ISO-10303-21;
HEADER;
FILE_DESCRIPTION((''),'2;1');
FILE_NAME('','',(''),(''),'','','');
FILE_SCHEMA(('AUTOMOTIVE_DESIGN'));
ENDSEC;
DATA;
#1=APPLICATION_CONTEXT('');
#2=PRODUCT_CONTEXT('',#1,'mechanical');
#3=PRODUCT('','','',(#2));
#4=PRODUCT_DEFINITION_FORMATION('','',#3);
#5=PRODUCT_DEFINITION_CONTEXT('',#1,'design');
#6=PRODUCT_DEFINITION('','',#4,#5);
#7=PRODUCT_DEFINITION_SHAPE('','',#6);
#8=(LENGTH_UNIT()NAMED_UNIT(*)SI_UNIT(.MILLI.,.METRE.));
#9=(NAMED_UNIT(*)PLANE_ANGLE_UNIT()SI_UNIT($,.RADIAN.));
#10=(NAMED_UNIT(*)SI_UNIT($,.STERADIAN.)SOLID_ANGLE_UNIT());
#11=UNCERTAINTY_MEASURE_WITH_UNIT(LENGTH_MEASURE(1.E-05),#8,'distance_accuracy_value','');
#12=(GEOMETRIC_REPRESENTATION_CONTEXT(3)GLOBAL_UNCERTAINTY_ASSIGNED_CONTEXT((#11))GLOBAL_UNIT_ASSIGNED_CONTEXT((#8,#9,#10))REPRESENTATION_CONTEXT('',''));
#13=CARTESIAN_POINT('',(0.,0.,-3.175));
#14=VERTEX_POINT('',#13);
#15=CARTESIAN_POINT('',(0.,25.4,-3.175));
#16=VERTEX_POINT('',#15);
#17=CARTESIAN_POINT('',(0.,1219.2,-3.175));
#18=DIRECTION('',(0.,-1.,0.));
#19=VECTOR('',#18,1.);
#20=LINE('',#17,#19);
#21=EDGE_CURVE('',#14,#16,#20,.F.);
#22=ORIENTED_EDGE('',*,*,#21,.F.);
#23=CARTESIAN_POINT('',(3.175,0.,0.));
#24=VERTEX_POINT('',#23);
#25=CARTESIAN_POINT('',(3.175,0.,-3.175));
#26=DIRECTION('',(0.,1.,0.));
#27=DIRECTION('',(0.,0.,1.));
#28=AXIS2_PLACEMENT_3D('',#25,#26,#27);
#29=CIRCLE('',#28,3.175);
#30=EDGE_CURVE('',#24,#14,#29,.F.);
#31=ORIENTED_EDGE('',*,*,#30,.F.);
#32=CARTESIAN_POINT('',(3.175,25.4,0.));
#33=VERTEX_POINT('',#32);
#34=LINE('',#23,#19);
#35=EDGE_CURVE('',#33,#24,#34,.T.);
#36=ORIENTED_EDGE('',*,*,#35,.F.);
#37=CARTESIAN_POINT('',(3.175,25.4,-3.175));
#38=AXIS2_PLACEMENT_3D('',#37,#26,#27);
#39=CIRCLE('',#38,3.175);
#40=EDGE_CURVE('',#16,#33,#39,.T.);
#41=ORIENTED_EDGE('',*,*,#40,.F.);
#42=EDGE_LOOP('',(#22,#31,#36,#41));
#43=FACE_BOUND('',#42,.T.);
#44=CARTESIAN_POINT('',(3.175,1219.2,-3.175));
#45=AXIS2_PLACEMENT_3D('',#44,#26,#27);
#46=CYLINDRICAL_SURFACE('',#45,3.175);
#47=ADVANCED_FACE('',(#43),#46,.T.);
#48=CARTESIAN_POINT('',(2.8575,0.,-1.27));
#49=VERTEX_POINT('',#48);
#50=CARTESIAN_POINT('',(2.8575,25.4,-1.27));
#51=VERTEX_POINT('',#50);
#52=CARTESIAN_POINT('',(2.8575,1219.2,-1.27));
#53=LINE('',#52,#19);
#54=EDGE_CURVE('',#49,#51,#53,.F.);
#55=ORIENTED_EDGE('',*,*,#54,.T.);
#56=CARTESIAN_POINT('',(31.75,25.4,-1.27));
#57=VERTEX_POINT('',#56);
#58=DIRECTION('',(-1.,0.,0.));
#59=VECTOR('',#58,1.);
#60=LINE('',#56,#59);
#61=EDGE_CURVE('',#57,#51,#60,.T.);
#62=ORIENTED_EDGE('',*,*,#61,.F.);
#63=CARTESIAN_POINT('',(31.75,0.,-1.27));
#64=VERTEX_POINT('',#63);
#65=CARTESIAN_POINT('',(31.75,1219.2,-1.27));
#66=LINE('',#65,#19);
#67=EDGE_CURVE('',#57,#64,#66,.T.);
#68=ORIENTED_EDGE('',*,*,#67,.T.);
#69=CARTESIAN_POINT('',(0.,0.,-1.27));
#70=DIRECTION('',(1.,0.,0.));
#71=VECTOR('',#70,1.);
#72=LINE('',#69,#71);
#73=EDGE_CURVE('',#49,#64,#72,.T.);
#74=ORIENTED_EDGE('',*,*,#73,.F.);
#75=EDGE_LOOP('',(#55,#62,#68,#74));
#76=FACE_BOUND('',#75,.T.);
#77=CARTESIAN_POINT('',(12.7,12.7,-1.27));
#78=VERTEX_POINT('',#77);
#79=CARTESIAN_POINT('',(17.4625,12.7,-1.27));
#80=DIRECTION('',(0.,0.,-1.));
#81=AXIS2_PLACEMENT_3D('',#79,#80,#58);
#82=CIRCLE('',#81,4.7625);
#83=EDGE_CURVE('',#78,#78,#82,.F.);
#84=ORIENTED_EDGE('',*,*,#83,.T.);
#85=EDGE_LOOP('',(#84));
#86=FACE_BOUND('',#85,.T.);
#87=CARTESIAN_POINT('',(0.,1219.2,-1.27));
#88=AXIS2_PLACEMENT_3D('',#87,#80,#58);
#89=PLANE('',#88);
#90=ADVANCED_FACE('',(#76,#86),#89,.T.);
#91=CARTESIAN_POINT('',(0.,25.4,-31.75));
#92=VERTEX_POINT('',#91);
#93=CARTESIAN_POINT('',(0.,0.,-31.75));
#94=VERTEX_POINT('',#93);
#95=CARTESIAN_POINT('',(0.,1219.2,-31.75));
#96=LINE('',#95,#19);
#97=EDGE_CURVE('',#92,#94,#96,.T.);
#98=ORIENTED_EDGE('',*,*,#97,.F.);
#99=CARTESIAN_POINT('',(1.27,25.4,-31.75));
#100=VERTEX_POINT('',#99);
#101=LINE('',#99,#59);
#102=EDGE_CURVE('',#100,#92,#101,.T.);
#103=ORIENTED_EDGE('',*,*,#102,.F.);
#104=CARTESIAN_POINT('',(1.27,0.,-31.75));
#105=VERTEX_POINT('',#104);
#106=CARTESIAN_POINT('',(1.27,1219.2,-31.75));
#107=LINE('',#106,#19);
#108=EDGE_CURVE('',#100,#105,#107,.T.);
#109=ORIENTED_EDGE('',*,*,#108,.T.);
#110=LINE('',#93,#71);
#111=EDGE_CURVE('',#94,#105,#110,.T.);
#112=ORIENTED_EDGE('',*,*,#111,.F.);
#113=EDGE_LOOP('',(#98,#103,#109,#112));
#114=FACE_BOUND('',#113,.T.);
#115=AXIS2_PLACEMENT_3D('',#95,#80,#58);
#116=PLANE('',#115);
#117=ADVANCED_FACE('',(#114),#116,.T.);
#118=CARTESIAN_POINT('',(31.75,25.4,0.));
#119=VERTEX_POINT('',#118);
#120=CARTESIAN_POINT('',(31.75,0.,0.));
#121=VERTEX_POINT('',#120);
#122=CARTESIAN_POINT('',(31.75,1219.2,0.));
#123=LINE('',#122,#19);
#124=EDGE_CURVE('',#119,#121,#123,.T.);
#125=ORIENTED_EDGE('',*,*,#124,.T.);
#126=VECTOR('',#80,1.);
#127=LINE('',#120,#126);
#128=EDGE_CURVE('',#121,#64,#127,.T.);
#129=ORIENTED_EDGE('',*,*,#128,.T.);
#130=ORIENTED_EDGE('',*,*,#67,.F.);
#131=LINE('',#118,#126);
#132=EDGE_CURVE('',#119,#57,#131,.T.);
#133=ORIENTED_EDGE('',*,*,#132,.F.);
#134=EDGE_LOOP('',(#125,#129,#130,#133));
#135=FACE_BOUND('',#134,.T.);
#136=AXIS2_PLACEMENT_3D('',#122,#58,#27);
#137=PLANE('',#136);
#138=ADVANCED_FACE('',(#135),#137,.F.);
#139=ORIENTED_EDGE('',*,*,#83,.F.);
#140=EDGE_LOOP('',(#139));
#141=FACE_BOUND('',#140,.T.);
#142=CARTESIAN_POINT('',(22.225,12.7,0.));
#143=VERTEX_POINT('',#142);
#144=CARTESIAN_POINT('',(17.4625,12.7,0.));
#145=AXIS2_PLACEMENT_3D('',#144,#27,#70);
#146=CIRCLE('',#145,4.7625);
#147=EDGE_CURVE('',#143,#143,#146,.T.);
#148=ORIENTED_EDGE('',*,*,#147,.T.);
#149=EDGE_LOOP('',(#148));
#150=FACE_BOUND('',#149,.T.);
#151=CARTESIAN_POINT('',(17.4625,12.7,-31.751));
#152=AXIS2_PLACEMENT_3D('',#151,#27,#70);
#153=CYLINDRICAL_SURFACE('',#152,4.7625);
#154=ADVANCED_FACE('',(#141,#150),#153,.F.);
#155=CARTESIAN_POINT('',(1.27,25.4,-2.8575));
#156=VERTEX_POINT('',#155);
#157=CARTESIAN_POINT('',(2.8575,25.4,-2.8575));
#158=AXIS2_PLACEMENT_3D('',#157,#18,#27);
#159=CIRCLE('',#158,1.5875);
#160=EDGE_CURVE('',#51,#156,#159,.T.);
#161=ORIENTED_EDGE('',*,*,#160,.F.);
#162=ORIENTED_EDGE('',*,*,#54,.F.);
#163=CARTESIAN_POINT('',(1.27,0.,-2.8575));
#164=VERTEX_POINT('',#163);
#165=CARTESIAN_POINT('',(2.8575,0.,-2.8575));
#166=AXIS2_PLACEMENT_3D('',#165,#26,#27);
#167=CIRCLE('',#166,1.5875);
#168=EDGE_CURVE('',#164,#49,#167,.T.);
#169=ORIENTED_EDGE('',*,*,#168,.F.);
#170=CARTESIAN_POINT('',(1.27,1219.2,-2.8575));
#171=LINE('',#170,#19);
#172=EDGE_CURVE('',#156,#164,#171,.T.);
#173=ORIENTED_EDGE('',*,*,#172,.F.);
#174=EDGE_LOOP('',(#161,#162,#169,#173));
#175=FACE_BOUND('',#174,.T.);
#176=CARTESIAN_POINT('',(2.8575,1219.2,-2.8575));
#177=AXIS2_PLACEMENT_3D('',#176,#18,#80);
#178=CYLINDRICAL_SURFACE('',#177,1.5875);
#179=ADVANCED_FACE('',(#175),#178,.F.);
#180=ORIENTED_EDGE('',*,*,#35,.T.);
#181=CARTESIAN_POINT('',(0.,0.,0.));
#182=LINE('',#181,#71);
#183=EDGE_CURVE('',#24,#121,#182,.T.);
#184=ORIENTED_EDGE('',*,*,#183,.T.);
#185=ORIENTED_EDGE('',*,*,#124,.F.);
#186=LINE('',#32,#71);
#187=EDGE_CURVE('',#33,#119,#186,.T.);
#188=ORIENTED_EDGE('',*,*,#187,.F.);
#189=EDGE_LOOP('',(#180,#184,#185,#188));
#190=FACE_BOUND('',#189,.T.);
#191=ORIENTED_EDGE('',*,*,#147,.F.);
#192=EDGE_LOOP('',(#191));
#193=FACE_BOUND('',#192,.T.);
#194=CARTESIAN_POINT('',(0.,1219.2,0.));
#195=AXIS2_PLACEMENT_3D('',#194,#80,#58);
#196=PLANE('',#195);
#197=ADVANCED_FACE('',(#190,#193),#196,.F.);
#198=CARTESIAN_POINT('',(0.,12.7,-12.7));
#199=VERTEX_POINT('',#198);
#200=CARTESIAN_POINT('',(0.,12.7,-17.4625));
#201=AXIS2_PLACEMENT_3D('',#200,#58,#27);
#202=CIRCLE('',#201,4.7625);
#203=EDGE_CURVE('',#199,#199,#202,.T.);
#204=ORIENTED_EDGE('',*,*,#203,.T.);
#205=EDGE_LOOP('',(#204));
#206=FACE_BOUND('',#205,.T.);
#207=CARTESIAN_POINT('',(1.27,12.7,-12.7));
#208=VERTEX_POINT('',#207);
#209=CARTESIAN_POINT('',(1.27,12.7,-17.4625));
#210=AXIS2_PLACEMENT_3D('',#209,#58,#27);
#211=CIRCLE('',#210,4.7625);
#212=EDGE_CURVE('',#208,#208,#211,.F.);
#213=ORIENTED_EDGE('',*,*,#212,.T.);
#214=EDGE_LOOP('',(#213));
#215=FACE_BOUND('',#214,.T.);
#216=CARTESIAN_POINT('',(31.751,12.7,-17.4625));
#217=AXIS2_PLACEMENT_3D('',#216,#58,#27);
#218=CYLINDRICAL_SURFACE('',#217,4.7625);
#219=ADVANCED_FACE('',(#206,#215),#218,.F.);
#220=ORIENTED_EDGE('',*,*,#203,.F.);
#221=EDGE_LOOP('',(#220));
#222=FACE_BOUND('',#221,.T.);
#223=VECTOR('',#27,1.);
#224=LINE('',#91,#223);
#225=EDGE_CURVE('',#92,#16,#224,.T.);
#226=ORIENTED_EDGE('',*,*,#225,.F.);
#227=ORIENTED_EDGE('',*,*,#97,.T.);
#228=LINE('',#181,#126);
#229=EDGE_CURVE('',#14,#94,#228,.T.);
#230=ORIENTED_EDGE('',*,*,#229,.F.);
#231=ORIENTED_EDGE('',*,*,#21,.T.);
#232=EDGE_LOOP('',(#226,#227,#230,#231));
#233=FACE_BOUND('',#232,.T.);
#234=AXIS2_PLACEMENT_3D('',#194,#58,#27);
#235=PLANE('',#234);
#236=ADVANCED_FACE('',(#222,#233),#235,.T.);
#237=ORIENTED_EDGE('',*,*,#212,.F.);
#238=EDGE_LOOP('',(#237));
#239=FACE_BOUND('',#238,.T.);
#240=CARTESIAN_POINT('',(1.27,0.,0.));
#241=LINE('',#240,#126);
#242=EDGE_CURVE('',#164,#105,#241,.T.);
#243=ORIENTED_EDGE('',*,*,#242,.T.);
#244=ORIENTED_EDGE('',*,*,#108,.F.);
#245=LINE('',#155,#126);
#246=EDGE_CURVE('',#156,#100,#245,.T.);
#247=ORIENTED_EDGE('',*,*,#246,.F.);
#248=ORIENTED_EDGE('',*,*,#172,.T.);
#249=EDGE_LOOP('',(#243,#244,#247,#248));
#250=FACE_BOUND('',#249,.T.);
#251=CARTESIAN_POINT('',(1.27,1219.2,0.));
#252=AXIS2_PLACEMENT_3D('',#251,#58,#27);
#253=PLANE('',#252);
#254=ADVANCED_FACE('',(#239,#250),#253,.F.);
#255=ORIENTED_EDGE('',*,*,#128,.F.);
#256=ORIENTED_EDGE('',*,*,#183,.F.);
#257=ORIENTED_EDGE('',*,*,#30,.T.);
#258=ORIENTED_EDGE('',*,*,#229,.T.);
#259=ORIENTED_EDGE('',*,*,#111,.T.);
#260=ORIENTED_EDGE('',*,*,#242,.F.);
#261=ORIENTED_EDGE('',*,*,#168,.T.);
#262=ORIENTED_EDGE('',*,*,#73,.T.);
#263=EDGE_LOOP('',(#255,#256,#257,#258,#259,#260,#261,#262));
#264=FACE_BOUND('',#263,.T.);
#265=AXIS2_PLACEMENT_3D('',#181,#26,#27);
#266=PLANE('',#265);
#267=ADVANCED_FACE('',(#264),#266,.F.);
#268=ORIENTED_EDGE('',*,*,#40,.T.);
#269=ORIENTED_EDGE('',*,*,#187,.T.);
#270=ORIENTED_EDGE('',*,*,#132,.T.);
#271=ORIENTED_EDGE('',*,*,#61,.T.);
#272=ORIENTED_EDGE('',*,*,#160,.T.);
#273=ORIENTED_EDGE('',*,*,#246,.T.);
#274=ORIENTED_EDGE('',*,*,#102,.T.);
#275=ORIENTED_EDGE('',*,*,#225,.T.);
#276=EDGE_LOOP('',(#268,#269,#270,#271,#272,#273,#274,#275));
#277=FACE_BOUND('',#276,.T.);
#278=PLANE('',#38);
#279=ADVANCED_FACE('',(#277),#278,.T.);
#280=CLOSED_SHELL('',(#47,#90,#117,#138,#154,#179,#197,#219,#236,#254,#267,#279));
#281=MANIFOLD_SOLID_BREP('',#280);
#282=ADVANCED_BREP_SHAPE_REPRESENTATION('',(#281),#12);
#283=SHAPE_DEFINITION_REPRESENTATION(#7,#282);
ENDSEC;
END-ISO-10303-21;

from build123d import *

# Parameters (mm, degrees)
BOSS_EXTRUDE1_DEPTH = 1219.2
SKETCH3_R           = 4.7625
CUT_EXTRUDE1_DEPTH  = 1.27
SKETCH4_R           = 4.7625
CUT_EXTRUDE2_DEPTH  = 1.27
FILLET1_R           = 3.175
FILLET2_R           = 1.5875
CUT_EXTRUDE3_DEPTH  = 1193.8


with BuildPart() as part:
    # Sketch1 → Boss-Extrude1 (new body)
    with BuildSketch(Plane(origin=(0, 0, 0), x_dir=(1, 0, 0), z_dir=(0, 1, 0))):
        Polygon((1.27, 1.27), (1.27, 30.48), (1.27, 31.75), (0, 31.75), (0, 0), (31.75, 0), (31.75, 1.27), (30.48, 1.27), align=None)
    extrude(amount=BOSS_EXTRUDE1_DEPTH)

    # Sketch3 → Cut-Extrude1 (cut)
    with BuildSketch(Plane.ZY):
        with Locations((-17.4625, 12.7)):
            Circle(SKETCH3_R)
        with Locations((-17.4625, 38.1)):
            Circle(SKETCH3_R)
        with Locations((-17.4625, 63.5)):
            Circle(SKETCH3_R)
        with Locations((-17.4625, 88.9)):
            Circle(SKETCH3_R)
        with Locations((-17.4625, 114.3)):
            Circle(SKETCH3_R)
        with Locations((-17.4625, 139.7)):
            Circle(SKETCH3_R)
        with Locations((-17.4625, 165.1)):
            Circle(SKETCH3_R)
        with Locations((-17.4625, 190.5)):
            Circle(SKETCH3_R)
        with Locations((-17.4625, 215.9)):
            Circle(SKETCH3_R)
        with Locations((-17.4625, 241.3)):
            Circle(SKETCH3_R)
        with Locations((-17.4625, 266.7)):
            Circle(SKETCH3_R)
        with Locations((-17.4625, 292.1)):
            Circle(SKETCH3_R)
        with Locations((-17.4625, 317.5)):
            Circle(SKETCH3_R)
        with Locations((-17.4625, 342.9)):
            Circle(SKETCH3_R)
        with Locations((-17.4625, 368.3)):
            Circle(SKETCH3_R)
        with Locations((-17.4625, 393.7)):
            Circle(SKETCH3_R)
        with Locations((-17.4625, 419.1)):
            Circle(SKETCH3_R)
        with Locations((-17.4625, 444.5)):
            Circle(SKETCH3_R)
        with Locations((-17.4625, 469.9)):
            Circle(SKETCH3_R)
        with Locations((-17.4625, 495.3)):
            Circle(SKETCH3_R)
        with Locations((-17.4625, 520.7)):
            Circle(SKETCH3_R)
        with Locations((-17.4625, 546.1)):
            Circle(SKETCH3_R)
        with Locations((-17.4625, 571.5)):
            Circle(SKETCH3_R)
        with Locations((-17.4625, 596.9)):
            Circle(SKETCH3_R)
        with Locations((-17.4625, 622.3)):
            Circle(SKETCH3_R)
        with Locations((-17.4625, 647.7)):
            Circle(SKETCH3_R)
        with Locations((-17.4625, 673.1)):
            Circle(SKETCH3_R)
        with Locations((-17.4625, 698.5)):
            Circle(SKETCH3_R)
        with Locations((-17.4625, 723.9)):
            Circle(SKETCH3_R)
        with Locations((-17.4625, 749.3)):
            Circle(SKETCH3_R)
        with Locations((-17.4625, 774.7)):
            Circle(SKETCH3_R)
        with Locations((-17.4625, 800.1)):
            Circle(SKETCH3_R)
        with Locations((-17.4625, 825.5)):
            Circle(SKETCH3_R)
        with Locations((-17.4625, 850.9)):
            Circle(SKETCH3_R)
        with Locations((-17.4625, 876.3)):
            Circle(SKETCH3_R)
        with Locations((-17.4625, 901.7)):
            Circle(SKETCH3_R)
        with Locations((-17.4625, 927.1)):
            Circle(SKETCH3_R)
        with Locations((-17.4625, 952.5)):
            Circle(SKETCH3_R)
        with Locations((-17.4625, 977.9)):
            Circle(SKETCH3_R)
        with Locations((-17.4625, 1003.3)):
            Circle(SKETCH3_R)
        with Locations((-17.4625, 1028.7)):
            Circle(SKETCH3_R)
        with Locations((-17.4625, 1054.1)):
            Circle(SKETCH3_R)
        with Locations((-17.4625, 1079.5)):
            Circle(SKETCH3_R)
        with Locations((-17.4625, 1104.9)):
            Circle(SKETCH3_R)
        with Locations((-17.4625, 1130.3)):
            Circle(SKETCH3_R)
        with Locations((-17.4625, 1155.7)):
            Circle(SKETCH3_R)
        with Locations((-17.4625, 1181.1)):
            Circle(SKETCH3_R)
        with Locations((-17.4625, 1206.5)):
            Circle(SKETCH3_R)
    extrude(amount=-CUT_EXTRUDE1_DEPTH, mode=Mode.SUBTRACT)

    # Sketch4 → Cut-Extrude2 (cut)
    with BuildSketch(Plane.XY):
        with Locations((17.4625, 1206.5)):
            Circle(SKETCH4_R)
        with Locations((17.4625, 1181.1)):
            Circle(SKETCH4_R)
        with Locations((17.4625, 1155.7)):
            Circle(SKETCH4_R)
        with Locations((17.4625, 1130.3)):
            Circle(SKETCH4_R)
        with Locations((17.4625, 1104.9)):
            Circle(SKETCH4_R)
        with Locations((17.4625, 1079.5)):
            Circle(SKETCH4_R)
        with Locations((17.4625, 1054.1)):
            Circle(SKETCH4_R)
        with Locations((17.4625, 1028.7)):
            Circle(SKETCH4_R)
        with Locations((17.4625, 1003.3)):
            Circle(SKETCH4_R)
        with Locations((17.4625, 977.9)):
            Circle(SKETCH4_R)
        with Locations((17.4625, 952.5)):
            Circle(SKETCH4_R)
        with Locations((17.4625, 927.1)):
            Circle(SKETCH4_R)
        with Locations((17.4625, 901.7)):
            Circle(SKETCH4_R)
        with Locations((17.4625, 876.3)):
            Circle(SKETCH4_R)
        with Locations((17.4625, 850.9)):
            Circle(SKETCH4_R)
        with Locations((17.4625, 825.5)):
            Circle(SKETCH4_R)
        with Locations((17.4625, 800.1)):
            Circle(SKETCH4_R)
        with Locations((17.4625, 774.7)):
            Circle(SKETCH4_R)
        with Locations((17.4625, 749.3)):
            Circle(SKETCH4_R)
        with Locations((17.4625, 723.9)):
            Circle(SKETCH4_R)
        with Locations((17.4625, 698.5)):
            Circle(SKETCH4_R)
        with Locations((17.4625, 673.1)):
            Circle(SKETCH4_R)
        with Locations((17.4625, 647.7)):
            Circle(SKETCH4_R)
        with Locations((17.4625, 622.3)):
            Circle(SKETCH4_R)
        with Locations((17.4625, 596.9)):
            Circle(SKETCH4_R)
        with Locations((17.4625, 571.5)):
            Circle(SKETCH4_R)
        with Locations((17.4625, 546.1)):
            Circle(SKETCH4_R)
        with Locations((17.4625, 520.7)):
            Circle(SKETCH4_R)
        with Locations((17.4625, 495.3)):
            Circle(SKETCH4_R)
        with Locations((17.4625, 469.9)):
            Circle(SKETCH4_R)
        with Locations((17.4625, 444.5)):
            Circle(SKETCH4_R)
        with Locations((17.4625, 419.1)):
            Circle(SKETCH4_R)
        with Locations((17.4625, 393.7)):
            Circle(SKETCH4_R)
        with Locations((17.4625, 368.3)):
            Circle(SKETCH4_R)
        with Locations((17.4625, 342.9)):
            Circle(SKETCH4_R)
        with Locations((17.4625, 317.5)):
            Circle(SKETCH4_R)
        with Locations((17.4625, 292.1)):
            Circle(SKETCH4_R)
        with Locations((17.4625, 266.7)):
            Circle(SKETCH4_R)
        with Locations((17.4625, 241.3)):
            Circle(SKETCH4_R)
        with Locations((17.4625, 215.9)):
            Circle(SKETCH4_R)
        with Locations((17.4625, 190.5)):
            Circle(SKETCH4_R)
        with Locations((17.4625, 165.1)):
            Circle(SKETCH4_R)
        with Locations((17.4625, 139.7)):
            Circle(SKETCH4_R)
        with Locations((17.4625, 114.3)):
            Circle(SKETCH4_R)
        with Locations((17.4625, 88.9)):
            Circle(SKETCH4_R)
        with Locations((17.4625, 63.5)):
            Circle(SKETCH4_R)
        with Locations((17.4625, 38.1)):
            Circle(SKETCH4_R)
        with Locations((17.4625, 12.7)):
            Circle(SKETCH4_R)
    extrude(amount=-CUT_EXTRUDE2_DEPTH, mode=Mode.SUBTRACT)

    # Fillet1
    fillet1_edges = [part.edges().sort_by_distance(p)[0] for p in [
        (0, 609.6, 0),
    ]]
    fillet(fillet1_edges, radius=FILLET1_R)

    # Fillet2
    fillet2_edges = [part.edges().sort_by_distance(p)[0] for p in [
        (1.27, 609.6, -1.27),
    ]]
    fillet(fillet2_edges, radius=FILLET2_R)

    # Sketch5 → Cut-Extrude3 (cut)
    with BuildSketch(Plane(origin=(0, 1219.2, 0), x_dir=(1, 0, 0), z_dir=(0, 1, 0))):
        with BuildLine():
            Line((0, 31.75), (0, 3.175))
            ThreePointArc((0, 3.175), (0.92993597, 0.92993597), (3.175, 0))
            Line((3.175, 0), (31.75, 0))
            Line((31.75, 0), (31.75, 1.27))
            Line((31.75, 1.27), (2.8575, 1.27))
            ThreePointArc((2.8575, 1.27), (1.734967985, 1.734967985), (1.27, 2.8575))
            Line((1.27, 2.8575), (1.27, 31.75))
            Line((1.27, 31.75), (0, 31.75))
        make_face()
    extrude(amount=-CUT_EXTRUDE3_DEPTH, mode=Mode.SUBTRACT)


solid = part.part
